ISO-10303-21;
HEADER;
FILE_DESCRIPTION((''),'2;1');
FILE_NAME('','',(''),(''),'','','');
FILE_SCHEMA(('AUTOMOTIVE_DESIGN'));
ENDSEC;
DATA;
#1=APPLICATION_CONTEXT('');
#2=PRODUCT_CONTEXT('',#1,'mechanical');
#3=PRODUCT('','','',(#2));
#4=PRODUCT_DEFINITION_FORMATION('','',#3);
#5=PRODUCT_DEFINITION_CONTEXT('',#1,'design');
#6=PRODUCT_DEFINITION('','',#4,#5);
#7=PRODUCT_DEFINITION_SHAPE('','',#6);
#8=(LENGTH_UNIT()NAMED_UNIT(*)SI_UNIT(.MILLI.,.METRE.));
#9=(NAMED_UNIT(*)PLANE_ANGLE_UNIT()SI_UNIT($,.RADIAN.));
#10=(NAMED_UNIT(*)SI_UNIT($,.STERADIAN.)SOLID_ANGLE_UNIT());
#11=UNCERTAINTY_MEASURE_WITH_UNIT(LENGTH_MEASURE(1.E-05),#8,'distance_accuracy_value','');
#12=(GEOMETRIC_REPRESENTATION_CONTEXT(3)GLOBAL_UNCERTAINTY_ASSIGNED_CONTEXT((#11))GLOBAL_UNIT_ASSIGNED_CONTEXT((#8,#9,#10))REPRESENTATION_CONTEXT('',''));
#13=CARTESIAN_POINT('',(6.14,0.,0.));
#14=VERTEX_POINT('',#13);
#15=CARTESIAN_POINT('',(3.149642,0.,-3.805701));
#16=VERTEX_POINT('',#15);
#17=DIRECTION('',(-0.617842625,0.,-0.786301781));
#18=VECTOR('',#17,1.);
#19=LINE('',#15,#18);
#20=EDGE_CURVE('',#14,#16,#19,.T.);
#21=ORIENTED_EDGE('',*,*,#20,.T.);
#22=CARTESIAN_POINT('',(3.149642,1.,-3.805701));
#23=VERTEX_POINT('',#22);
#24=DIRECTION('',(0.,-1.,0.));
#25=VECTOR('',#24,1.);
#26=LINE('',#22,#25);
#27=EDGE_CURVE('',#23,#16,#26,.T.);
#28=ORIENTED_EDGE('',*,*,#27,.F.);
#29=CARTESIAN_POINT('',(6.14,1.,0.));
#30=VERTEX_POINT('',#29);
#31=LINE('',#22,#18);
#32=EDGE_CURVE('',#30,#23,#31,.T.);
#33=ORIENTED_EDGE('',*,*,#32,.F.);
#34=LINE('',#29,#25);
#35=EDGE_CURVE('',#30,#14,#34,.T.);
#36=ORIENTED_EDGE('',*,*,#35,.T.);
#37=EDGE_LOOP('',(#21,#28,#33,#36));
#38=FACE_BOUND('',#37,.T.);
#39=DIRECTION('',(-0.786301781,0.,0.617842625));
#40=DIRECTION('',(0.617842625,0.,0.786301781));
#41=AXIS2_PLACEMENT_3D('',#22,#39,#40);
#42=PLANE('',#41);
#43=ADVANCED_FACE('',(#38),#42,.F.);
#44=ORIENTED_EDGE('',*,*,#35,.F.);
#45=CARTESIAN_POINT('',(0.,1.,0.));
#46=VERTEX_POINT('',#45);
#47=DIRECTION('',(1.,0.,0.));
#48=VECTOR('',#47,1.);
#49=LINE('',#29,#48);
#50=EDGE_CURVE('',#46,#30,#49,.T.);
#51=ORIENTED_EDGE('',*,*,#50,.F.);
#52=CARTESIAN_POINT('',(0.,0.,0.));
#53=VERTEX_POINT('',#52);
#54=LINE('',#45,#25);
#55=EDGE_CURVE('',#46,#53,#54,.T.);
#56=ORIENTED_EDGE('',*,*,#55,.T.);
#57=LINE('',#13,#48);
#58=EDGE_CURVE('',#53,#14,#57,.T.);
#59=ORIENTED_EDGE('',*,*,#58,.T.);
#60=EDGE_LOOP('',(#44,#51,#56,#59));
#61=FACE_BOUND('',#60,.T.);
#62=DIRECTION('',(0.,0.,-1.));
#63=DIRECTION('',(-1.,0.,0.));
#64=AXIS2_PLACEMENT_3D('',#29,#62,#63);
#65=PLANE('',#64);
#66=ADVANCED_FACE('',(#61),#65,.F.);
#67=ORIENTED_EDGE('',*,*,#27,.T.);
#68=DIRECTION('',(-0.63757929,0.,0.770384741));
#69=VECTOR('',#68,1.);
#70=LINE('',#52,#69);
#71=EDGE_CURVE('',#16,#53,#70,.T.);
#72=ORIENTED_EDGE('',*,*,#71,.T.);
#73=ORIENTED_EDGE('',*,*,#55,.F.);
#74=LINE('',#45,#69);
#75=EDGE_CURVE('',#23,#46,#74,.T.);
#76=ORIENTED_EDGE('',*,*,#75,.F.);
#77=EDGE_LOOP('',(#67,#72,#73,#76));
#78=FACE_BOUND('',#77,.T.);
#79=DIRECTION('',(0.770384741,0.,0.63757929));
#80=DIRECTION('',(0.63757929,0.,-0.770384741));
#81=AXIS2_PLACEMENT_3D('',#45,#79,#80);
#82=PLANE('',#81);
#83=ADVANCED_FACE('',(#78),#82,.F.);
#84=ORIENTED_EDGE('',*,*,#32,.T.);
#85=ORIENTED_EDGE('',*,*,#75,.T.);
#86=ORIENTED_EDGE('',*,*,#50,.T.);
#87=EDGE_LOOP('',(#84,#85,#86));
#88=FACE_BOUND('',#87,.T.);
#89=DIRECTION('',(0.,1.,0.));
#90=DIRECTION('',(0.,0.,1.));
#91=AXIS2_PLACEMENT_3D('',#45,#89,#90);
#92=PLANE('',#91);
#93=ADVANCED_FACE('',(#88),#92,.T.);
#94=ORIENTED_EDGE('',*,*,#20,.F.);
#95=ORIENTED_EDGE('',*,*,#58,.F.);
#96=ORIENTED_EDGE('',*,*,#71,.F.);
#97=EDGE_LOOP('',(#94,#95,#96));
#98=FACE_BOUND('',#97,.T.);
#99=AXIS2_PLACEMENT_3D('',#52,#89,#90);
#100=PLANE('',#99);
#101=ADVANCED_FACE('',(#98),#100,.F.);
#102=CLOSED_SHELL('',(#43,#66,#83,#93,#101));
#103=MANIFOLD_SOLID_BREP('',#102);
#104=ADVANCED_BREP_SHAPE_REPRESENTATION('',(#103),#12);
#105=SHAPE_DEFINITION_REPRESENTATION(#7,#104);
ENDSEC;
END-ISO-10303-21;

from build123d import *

# Parameters (mm, degrees)
BOSS_EXTRUDE1_DEPTH = 1


with BuildPart() as part:
    # Sketch1 → Boss-Extrude1 (new body)
    with BuildSketch(Plane(origin=(0, 0, 0), x_dir=(1, 0, 0), z_dir=(0, 1, 0))):
        Polygon((0, 0), (3.149641694, 3.805700619), (6.14, 0), align=None)
    extrude(amount=BOSS_EXTRUDE1_DEPTH)


solid = part.part
